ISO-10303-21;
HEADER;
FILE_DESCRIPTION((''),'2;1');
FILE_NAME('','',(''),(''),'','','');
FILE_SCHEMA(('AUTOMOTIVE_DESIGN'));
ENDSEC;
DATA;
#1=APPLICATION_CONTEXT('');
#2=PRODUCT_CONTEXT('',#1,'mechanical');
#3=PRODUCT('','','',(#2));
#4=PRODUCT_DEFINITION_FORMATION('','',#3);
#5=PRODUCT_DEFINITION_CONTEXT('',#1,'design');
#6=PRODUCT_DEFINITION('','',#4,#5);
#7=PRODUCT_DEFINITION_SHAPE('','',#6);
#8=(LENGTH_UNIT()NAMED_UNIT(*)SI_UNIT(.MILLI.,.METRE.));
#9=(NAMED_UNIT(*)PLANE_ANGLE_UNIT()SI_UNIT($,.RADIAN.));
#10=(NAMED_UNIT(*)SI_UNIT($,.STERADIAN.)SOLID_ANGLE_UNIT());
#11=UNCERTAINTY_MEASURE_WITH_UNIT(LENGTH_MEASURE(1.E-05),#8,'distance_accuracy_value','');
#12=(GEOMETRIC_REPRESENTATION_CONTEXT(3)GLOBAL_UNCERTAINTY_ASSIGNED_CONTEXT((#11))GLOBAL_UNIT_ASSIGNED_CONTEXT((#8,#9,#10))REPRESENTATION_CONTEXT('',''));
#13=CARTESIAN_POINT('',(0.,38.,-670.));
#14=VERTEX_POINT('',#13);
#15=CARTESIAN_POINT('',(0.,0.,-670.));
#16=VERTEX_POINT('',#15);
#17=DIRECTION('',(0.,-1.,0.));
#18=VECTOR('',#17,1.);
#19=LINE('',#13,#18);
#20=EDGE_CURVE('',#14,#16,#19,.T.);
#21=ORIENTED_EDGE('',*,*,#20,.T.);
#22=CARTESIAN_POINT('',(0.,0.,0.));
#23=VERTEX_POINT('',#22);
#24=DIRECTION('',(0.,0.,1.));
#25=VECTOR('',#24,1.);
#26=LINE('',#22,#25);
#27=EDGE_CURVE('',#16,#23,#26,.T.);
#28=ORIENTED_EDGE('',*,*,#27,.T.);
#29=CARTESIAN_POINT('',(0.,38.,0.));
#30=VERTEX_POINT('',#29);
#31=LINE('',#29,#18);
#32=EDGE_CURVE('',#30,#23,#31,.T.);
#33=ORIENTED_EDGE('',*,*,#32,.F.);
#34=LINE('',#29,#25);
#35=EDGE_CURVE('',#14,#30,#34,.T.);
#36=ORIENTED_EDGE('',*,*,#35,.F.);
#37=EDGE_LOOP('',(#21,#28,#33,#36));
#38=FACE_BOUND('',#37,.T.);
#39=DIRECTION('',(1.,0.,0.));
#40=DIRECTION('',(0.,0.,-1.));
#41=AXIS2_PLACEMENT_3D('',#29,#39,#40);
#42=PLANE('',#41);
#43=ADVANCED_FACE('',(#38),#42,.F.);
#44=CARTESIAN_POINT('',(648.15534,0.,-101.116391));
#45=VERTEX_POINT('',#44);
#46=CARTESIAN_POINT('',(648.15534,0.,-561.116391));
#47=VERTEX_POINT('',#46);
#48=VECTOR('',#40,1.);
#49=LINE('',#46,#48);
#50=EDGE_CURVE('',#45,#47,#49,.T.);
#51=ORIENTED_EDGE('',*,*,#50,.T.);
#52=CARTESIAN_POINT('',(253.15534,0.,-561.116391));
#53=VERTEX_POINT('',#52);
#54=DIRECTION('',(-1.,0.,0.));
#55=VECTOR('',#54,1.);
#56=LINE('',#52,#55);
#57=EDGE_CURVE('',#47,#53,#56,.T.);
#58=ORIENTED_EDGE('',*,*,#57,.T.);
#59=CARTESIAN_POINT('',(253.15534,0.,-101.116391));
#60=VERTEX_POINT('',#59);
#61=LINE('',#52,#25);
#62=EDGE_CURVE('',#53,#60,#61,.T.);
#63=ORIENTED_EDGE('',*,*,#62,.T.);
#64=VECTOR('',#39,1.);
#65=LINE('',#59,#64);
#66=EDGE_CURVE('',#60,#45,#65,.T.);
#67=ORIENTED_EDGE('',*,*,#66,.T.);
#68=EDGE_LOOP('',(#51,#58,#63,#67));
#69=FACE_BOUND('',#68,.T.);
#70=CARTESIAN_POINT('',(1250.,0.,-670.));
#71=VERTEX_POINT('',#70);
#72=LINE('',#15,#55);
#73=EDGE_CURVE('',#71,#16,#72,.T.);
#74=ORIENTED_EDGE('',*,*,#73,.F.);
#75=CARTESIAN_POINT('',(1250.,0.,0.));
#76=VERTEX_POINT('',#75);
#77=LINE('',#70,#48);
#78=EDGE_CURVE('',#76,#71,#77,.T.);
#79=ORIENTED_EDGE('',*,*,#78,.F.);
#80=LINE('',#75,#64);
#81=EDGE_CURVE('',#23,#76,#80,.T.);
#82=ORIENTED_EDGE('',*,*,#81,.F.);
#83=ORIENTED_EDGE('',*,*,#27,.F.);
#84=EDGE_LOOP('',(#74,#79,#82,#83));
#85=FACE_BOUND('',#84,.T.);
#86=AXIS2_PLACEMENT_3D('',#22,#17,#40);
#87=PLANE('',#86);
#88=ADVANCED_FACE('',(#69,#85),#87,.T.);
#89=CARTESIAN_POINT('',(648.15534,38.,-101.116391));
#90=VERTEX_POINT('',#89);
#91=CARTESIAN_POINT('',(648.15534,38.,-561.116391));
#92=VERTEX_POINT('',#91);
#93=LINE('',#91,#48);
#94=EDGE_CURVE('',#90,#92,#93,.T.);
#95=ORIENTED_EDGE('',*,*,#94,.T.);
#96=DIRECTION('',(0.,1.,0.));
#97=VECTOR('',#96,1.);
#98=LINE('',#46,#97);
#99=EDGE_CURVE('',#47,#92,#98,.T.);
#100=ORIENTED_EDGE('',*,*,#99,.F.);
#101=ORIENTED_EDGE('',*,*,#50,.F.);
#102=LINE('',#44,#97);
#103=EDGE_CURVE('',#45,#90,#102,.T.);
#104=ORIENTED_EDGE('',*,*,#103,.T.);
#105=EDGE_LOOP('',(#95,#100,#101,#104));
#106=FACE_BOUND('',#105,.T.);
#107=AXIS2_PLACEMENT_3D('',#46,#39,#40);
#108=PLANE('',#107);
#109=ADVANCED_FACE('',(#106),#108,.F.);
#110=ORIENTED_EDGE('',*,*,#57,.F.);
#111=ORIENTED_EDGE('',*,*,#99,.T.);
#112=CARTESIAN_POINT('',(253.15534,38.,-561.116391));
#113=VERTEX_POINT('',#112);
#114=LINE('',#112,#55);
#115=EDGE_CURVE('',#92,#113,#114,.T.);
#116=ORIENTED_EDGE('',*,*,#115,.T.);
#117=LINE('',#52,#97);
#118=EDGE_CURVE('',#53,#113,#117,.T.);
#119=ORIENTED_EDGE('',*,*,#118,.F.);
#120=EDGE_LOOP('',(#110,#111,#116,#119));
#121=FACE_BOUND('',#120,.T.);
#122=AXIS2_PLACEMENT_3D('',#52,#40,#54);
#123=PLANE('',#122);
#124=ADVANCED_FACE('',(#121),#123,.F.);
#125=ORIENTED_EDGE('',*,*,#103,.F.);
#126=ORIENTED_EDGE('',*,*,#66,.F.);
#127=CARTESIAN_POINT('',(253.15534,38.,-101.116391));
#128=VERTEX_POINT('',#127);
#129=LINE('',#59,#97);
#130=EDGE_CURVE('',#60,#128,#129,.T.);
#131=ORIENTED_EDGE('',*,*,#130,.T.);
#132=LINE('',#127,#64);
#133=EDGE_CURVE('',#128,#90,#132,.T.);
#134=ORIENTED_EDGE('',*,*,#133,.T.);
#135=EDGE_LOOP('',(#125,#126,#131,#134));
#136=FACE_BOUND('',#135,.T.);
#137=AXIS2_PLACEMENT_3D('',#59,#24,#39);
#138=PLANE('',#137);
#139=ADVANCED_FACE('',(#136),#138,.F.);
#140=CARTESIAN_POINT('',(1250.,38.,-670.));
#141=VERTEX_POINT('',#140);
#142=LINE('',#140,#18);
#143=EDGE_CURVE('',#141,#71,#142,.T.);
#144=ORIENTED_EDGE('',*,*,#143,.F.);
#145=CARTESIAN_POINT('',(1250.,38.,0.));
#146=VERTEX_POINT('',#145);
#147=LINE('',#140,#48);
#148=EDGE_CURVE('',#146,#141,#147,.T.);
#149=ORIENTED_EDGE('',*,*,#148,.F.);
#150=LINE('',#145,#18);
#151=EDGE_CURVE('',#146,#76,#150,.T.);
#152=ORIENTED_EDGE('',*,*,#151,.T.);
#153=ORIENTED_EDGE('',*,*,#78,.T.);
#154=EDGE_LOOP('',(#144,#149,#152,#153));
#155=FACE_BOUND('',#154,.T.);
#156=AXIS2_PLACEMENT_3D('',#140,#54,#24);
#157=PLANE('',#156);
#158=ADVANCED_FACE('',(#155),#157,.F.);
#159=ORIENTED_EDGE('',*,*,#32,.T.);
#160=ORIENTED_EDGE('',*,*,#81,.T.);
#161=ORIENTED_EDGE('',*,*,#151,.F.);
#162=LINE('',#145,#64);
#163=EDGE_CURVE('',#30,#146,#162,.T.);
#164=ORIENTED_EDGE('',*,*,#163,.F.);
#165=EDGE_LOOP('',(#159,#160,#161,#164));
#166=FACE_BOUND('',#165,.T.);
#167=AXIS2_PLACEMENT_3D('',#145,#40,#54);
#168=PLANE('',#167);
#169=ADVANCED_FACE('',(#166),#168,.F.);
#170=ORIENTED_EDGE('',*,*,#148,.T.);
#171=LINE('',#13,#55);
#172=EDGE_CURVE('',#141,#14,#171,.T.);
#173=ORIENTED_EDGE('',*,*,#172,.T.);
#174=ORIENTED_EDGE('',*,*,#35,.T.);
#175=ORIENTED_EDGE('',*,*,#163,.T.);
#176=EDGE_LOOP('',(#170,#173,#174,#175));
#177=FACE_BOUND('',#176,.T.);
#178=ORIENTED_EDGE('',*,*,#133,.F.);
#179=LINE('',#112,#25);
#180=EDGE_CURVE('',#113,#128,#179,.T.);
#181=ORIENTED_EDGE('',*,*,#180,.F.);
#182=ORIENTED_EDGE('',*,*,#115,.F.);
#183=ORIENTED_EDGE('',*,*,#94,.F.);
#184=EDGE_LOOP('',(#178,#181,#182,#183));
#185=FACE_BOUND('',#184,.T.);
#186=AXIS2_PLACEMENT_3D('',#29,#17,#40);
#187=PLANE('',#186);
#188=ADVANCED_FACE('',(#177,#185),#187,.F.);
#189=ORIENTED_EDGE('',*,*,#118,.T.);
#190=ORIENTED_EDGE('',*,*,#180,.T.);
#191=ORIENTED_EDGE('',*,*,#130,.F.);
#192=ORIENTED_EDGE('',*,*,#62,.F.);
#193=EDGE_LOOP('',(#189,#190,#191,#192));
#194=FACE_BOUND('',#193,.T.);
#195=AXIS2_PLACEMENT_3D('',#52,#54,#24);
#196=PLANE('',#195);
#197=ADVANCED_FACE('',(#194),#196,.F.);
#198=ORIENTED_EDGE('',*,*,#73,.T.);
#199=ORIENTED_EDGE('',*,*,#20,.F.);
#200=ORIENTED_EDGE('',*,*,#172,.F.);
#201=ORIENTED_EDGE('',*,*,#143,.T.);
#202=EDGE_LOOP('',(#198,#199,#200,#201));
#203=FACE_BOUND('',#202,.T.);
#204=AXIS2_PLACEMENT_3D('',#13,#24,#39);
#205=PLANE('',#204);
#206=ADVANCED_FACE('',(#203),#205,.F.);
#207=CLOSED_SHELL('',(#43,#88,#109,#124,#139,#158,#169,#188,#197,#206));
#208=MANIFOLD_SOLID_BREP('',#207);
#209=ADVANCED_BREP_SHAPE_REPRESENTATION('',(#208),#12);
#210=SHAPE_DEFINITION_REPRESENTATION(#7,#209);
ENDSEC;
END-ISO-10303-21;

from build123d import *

# Parameters (mm, degrees)
SKETCH_1_W          = 1250
SKETCH_1_H          = 670
EXTRUDE_1_DEPTH     = 38
SKETCH_2_W          = 395
SKETCH_2_H          = 460
CUT_EXTRUDE_1_DEPTH = 39


with BuildPart() as part:
    # Эскиз1 → Бобышка-Вытянуть1 (new body)
    with BuildSketch(Plane(origin=(0, 0, 0), x_dir=(1, 0, 0), z_dir=(0, 1, 0))):
        with Locations((625, 335)):
            Rectangle(SKETCH_1_W, SKETCH_1_H)
    extrude(amount=EXTRUDE_1_DEPTH)

    # Эскиз2 → Вырез-Вытянуть1 (cut, through all)
    with BuildSketch(Plane(origin=(0, 38, 0), x_dir=(1, 0, 0), z_dir=(0, 1, 0))):
        with Locations((450.655339667, 331.116391331)):
            Rectangle(SKETCH_2_W, SKETCH_2_H)
    extrude(amount=-CUT_EXTRUDE_1_DEPTH, mode=Mode.SUBTRACT)


solid = part.part
